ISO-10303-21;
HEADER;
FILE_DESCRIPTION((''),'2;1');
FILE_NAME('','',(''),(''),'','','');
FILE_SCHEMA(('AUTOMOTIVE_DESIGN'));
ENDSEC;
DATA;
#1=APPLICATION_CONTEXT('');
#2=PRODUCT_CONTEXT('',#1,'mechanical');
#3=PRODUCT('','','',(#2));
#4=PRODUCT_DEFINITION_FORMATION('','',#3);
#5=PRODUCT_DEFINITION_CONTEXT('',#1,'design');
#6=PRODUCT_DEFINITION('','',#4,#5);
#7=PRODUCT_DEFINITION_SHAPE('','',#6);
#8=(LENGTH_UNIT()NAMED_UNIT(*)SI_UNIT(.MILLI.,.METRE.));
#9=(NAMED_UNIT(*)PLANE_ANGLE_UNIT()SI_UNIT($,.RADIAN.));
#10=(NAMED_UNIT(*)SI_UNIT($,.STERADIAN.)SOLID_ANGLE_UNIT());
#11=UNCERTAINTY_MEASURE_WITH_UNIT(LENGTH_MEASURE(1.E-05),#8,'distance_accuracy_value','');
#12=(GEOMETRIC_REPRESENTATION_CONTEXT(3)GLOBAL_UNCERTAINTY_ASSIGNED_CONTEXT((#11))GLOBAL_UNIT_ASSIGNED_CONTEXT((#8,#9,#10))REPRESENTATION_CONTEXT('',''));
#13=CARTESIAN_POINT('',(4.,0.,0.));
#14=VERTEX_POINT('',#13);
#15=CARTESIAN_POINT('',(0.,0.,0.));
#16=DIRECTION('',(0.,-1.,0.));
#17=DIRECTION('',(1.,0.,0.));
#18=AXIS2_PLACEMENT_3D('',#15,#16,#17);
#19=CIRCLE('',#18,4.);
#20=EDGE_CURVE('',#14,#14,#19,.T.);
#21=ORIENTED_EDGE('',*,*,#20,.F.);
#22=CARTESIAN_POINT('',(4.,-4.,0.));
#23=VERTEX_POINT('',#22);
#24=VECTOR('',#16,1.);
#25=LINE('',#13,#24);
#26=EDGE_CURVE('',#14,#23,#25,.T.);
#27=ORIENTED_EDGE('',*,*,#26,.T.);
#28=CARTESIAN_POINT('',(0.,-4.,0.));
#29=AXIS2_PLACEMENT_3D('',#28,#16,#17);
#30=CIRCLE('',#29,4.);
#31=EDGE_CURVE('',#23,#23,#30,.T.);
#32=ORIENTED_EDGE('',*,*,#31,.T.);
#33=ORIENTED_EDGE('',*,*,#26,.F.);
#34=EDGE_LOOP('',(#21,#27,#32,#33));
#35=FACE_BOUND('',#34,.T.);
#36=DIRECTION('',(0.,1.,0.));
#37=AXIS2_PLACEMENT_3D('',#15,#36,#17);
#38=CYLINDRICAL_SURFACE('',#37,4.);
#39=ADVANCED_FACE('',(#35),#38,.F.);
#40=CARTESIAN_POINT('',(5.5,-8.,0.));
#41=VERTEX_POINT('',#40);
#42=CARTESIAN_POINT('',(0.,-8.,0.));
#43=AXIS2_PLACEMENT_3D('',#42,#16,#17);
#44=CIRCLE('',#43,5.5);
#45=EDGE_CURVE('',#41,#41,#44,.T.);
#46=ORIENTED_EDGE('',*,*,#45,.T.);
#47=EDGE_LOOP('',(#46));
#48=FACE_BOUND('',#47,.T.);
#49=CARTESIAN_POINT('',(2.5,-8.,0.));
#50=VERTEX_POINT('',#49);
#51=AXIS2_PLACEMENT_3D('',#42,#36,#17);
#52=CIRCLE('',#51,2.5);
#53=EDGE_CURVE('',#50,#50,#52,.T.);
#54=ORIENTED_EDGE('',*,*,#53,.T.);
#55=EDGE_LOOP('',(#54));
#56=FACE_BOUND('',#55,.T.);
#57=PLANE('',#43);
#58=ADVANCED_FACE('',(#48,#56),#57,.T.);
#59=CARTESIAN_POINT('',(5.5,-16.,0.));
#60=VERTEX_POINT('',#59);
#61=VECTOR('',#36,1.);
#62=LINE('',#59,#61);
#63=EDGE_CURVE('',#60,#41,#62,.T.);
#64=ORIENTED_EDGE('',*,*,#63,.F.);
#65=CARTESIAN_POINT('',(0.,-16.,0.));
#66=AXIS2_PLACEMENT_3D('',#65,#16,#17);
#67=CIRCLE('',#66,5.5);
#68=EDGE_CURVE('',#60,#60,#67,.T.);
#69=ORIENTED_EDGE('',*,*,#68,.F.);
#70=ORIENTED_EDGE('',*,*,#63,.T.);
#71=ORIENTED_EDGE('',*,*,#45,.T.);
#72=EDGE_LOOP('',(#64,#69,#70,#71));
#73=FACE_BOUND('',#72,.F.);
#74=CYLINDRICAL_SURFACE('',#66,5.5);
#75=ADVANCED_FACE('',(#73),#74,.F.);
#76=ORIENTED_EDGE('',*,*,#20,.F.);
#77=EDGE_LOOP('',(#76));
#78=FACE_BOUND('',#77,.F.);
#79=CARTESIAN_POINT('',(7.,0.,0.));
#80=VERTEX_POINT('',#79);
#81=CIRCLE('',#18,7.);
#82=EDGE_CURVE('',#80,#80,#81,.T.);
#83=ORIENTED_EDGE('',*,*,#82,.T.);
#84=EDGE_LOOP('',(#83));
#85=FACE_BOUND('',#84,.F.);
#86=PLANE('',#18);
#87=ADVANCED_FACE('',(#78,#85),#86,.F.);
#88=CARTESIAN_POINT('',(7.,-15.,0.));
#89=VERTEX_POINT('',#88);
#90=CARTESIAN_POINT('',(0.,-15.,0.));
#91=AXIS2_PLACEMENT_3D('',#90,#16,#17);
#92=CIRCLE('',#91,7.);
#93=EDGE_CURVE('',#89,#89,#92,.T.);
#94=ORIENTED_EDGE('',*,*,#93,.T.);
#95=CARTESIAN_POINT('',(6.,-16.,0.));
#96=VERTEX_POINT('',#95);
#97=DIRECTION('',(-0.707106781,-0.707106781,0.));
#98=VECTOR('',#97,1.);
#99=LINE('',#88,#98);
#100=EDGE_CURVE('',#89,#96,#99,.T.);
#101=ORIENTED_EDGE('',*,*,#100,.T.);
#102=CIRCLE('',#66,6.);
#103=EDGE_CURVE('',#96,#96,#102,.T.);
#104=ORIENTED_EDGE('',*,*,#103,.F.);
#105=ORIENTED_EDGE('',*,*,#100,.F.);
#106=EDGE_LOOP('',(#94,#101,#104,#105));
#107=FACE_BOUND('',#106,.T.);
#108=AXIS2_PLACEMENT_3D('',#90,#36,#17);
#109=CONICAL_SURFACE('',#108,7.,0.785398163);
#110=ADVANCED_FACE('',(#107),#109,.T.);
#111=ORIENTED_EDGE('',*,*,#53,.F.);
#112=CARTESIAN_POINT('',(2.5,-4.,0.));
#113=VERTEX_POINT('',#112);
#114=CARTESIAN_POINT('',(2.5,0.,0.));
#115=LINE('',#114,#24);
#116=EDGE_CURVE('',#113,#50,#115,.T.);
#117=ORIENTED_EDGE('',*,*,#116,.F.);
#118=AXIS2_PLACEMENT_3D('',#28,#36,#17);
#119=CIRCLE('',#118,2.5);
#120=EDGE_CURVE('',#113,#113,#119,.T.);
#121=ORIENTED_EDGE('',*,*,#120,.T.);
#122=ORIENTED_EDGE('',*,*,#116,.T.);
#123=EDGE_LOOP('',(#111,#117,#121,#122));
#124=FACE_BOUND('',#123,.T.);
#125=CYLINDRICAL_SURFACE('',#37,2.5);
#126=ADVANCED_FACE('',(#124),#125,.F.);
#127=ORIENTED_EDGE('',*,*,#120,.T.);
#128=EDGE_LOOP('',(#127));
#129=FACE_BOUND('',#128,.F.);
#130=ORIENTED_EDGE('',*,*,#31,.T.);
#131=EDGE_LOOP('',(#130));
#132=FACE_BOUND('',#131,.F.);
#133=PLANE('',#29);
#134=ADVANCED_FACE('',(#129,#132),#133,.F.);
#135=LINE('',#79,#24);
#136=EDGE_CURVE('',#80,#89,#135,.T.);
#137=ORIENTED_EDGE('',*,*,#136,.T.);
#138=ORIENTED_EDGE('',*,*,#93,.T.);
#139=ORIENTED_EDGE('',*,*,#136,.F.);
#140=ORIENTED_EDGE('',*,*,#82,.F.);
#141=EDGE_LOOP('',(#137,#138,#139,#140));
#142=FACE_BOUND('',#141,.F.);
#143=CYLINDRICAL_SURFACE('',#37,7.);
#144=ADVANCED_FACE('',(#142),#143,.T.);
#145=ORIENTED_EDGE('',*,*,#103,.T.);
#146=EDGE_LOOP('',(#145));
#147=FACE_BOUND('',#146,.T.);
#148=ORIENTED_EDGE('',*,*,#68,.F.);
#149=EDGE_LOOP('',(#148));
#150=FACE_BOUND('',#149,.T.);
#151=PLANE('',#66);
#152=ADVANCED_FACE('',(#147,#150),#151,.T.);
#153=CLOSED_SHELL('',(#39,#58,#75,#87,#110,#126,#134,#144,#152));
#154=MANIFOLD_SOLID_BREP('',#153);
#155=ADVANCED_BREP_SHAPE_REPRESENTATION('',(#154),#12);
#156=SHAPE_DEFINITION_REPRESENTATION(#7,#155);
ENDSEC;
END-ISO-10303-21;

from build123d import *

# Parameters (mm, degrees)
F0_R     = 7
F0_R_2   = 2.5
F1_DEPTH = 16
F2_R     = 4
F3_DEPTH = 4
F4_SIZE  = 1
F5_R     = 5.5
F6_DEPTH = 8


with BuildPart() as f1:
    # F0 (on Front) → F1 (new body)
    with BuildSketch(Plane.XZ):
        Circle(F0_R)
        Circle(F0_R_2, mode=Mode.SUBTRACT)
    extrude(amount=F1_DEPTH)

    # F2 (on Front) → F3 (cut)
    with BuildSketch(Plane.XZ):
        Circle(F2_R)
    extrude(amount=F3_DEPTH, mode=Mode.SUBTRACT)

    # F4
    f4_edges = [f1.edges().sort_by_distance(p)[0] for p in [
        (-7, -16, 0),
    ]]
    chamfer(f4_edges, length=F4_SIZE)

    # F2 (on Front) + F5 (on face) → F6 (cut)
    with BuildSketch(Plane.XZ):
        Circle(F2_R)
    with BuildSketch(Plane.XZ.offset(16)):
        Circle(F5_R)
    extrude(amount=-F6_DEPTH, mode=Mode.SUBTRACT)


solid = f1.part
